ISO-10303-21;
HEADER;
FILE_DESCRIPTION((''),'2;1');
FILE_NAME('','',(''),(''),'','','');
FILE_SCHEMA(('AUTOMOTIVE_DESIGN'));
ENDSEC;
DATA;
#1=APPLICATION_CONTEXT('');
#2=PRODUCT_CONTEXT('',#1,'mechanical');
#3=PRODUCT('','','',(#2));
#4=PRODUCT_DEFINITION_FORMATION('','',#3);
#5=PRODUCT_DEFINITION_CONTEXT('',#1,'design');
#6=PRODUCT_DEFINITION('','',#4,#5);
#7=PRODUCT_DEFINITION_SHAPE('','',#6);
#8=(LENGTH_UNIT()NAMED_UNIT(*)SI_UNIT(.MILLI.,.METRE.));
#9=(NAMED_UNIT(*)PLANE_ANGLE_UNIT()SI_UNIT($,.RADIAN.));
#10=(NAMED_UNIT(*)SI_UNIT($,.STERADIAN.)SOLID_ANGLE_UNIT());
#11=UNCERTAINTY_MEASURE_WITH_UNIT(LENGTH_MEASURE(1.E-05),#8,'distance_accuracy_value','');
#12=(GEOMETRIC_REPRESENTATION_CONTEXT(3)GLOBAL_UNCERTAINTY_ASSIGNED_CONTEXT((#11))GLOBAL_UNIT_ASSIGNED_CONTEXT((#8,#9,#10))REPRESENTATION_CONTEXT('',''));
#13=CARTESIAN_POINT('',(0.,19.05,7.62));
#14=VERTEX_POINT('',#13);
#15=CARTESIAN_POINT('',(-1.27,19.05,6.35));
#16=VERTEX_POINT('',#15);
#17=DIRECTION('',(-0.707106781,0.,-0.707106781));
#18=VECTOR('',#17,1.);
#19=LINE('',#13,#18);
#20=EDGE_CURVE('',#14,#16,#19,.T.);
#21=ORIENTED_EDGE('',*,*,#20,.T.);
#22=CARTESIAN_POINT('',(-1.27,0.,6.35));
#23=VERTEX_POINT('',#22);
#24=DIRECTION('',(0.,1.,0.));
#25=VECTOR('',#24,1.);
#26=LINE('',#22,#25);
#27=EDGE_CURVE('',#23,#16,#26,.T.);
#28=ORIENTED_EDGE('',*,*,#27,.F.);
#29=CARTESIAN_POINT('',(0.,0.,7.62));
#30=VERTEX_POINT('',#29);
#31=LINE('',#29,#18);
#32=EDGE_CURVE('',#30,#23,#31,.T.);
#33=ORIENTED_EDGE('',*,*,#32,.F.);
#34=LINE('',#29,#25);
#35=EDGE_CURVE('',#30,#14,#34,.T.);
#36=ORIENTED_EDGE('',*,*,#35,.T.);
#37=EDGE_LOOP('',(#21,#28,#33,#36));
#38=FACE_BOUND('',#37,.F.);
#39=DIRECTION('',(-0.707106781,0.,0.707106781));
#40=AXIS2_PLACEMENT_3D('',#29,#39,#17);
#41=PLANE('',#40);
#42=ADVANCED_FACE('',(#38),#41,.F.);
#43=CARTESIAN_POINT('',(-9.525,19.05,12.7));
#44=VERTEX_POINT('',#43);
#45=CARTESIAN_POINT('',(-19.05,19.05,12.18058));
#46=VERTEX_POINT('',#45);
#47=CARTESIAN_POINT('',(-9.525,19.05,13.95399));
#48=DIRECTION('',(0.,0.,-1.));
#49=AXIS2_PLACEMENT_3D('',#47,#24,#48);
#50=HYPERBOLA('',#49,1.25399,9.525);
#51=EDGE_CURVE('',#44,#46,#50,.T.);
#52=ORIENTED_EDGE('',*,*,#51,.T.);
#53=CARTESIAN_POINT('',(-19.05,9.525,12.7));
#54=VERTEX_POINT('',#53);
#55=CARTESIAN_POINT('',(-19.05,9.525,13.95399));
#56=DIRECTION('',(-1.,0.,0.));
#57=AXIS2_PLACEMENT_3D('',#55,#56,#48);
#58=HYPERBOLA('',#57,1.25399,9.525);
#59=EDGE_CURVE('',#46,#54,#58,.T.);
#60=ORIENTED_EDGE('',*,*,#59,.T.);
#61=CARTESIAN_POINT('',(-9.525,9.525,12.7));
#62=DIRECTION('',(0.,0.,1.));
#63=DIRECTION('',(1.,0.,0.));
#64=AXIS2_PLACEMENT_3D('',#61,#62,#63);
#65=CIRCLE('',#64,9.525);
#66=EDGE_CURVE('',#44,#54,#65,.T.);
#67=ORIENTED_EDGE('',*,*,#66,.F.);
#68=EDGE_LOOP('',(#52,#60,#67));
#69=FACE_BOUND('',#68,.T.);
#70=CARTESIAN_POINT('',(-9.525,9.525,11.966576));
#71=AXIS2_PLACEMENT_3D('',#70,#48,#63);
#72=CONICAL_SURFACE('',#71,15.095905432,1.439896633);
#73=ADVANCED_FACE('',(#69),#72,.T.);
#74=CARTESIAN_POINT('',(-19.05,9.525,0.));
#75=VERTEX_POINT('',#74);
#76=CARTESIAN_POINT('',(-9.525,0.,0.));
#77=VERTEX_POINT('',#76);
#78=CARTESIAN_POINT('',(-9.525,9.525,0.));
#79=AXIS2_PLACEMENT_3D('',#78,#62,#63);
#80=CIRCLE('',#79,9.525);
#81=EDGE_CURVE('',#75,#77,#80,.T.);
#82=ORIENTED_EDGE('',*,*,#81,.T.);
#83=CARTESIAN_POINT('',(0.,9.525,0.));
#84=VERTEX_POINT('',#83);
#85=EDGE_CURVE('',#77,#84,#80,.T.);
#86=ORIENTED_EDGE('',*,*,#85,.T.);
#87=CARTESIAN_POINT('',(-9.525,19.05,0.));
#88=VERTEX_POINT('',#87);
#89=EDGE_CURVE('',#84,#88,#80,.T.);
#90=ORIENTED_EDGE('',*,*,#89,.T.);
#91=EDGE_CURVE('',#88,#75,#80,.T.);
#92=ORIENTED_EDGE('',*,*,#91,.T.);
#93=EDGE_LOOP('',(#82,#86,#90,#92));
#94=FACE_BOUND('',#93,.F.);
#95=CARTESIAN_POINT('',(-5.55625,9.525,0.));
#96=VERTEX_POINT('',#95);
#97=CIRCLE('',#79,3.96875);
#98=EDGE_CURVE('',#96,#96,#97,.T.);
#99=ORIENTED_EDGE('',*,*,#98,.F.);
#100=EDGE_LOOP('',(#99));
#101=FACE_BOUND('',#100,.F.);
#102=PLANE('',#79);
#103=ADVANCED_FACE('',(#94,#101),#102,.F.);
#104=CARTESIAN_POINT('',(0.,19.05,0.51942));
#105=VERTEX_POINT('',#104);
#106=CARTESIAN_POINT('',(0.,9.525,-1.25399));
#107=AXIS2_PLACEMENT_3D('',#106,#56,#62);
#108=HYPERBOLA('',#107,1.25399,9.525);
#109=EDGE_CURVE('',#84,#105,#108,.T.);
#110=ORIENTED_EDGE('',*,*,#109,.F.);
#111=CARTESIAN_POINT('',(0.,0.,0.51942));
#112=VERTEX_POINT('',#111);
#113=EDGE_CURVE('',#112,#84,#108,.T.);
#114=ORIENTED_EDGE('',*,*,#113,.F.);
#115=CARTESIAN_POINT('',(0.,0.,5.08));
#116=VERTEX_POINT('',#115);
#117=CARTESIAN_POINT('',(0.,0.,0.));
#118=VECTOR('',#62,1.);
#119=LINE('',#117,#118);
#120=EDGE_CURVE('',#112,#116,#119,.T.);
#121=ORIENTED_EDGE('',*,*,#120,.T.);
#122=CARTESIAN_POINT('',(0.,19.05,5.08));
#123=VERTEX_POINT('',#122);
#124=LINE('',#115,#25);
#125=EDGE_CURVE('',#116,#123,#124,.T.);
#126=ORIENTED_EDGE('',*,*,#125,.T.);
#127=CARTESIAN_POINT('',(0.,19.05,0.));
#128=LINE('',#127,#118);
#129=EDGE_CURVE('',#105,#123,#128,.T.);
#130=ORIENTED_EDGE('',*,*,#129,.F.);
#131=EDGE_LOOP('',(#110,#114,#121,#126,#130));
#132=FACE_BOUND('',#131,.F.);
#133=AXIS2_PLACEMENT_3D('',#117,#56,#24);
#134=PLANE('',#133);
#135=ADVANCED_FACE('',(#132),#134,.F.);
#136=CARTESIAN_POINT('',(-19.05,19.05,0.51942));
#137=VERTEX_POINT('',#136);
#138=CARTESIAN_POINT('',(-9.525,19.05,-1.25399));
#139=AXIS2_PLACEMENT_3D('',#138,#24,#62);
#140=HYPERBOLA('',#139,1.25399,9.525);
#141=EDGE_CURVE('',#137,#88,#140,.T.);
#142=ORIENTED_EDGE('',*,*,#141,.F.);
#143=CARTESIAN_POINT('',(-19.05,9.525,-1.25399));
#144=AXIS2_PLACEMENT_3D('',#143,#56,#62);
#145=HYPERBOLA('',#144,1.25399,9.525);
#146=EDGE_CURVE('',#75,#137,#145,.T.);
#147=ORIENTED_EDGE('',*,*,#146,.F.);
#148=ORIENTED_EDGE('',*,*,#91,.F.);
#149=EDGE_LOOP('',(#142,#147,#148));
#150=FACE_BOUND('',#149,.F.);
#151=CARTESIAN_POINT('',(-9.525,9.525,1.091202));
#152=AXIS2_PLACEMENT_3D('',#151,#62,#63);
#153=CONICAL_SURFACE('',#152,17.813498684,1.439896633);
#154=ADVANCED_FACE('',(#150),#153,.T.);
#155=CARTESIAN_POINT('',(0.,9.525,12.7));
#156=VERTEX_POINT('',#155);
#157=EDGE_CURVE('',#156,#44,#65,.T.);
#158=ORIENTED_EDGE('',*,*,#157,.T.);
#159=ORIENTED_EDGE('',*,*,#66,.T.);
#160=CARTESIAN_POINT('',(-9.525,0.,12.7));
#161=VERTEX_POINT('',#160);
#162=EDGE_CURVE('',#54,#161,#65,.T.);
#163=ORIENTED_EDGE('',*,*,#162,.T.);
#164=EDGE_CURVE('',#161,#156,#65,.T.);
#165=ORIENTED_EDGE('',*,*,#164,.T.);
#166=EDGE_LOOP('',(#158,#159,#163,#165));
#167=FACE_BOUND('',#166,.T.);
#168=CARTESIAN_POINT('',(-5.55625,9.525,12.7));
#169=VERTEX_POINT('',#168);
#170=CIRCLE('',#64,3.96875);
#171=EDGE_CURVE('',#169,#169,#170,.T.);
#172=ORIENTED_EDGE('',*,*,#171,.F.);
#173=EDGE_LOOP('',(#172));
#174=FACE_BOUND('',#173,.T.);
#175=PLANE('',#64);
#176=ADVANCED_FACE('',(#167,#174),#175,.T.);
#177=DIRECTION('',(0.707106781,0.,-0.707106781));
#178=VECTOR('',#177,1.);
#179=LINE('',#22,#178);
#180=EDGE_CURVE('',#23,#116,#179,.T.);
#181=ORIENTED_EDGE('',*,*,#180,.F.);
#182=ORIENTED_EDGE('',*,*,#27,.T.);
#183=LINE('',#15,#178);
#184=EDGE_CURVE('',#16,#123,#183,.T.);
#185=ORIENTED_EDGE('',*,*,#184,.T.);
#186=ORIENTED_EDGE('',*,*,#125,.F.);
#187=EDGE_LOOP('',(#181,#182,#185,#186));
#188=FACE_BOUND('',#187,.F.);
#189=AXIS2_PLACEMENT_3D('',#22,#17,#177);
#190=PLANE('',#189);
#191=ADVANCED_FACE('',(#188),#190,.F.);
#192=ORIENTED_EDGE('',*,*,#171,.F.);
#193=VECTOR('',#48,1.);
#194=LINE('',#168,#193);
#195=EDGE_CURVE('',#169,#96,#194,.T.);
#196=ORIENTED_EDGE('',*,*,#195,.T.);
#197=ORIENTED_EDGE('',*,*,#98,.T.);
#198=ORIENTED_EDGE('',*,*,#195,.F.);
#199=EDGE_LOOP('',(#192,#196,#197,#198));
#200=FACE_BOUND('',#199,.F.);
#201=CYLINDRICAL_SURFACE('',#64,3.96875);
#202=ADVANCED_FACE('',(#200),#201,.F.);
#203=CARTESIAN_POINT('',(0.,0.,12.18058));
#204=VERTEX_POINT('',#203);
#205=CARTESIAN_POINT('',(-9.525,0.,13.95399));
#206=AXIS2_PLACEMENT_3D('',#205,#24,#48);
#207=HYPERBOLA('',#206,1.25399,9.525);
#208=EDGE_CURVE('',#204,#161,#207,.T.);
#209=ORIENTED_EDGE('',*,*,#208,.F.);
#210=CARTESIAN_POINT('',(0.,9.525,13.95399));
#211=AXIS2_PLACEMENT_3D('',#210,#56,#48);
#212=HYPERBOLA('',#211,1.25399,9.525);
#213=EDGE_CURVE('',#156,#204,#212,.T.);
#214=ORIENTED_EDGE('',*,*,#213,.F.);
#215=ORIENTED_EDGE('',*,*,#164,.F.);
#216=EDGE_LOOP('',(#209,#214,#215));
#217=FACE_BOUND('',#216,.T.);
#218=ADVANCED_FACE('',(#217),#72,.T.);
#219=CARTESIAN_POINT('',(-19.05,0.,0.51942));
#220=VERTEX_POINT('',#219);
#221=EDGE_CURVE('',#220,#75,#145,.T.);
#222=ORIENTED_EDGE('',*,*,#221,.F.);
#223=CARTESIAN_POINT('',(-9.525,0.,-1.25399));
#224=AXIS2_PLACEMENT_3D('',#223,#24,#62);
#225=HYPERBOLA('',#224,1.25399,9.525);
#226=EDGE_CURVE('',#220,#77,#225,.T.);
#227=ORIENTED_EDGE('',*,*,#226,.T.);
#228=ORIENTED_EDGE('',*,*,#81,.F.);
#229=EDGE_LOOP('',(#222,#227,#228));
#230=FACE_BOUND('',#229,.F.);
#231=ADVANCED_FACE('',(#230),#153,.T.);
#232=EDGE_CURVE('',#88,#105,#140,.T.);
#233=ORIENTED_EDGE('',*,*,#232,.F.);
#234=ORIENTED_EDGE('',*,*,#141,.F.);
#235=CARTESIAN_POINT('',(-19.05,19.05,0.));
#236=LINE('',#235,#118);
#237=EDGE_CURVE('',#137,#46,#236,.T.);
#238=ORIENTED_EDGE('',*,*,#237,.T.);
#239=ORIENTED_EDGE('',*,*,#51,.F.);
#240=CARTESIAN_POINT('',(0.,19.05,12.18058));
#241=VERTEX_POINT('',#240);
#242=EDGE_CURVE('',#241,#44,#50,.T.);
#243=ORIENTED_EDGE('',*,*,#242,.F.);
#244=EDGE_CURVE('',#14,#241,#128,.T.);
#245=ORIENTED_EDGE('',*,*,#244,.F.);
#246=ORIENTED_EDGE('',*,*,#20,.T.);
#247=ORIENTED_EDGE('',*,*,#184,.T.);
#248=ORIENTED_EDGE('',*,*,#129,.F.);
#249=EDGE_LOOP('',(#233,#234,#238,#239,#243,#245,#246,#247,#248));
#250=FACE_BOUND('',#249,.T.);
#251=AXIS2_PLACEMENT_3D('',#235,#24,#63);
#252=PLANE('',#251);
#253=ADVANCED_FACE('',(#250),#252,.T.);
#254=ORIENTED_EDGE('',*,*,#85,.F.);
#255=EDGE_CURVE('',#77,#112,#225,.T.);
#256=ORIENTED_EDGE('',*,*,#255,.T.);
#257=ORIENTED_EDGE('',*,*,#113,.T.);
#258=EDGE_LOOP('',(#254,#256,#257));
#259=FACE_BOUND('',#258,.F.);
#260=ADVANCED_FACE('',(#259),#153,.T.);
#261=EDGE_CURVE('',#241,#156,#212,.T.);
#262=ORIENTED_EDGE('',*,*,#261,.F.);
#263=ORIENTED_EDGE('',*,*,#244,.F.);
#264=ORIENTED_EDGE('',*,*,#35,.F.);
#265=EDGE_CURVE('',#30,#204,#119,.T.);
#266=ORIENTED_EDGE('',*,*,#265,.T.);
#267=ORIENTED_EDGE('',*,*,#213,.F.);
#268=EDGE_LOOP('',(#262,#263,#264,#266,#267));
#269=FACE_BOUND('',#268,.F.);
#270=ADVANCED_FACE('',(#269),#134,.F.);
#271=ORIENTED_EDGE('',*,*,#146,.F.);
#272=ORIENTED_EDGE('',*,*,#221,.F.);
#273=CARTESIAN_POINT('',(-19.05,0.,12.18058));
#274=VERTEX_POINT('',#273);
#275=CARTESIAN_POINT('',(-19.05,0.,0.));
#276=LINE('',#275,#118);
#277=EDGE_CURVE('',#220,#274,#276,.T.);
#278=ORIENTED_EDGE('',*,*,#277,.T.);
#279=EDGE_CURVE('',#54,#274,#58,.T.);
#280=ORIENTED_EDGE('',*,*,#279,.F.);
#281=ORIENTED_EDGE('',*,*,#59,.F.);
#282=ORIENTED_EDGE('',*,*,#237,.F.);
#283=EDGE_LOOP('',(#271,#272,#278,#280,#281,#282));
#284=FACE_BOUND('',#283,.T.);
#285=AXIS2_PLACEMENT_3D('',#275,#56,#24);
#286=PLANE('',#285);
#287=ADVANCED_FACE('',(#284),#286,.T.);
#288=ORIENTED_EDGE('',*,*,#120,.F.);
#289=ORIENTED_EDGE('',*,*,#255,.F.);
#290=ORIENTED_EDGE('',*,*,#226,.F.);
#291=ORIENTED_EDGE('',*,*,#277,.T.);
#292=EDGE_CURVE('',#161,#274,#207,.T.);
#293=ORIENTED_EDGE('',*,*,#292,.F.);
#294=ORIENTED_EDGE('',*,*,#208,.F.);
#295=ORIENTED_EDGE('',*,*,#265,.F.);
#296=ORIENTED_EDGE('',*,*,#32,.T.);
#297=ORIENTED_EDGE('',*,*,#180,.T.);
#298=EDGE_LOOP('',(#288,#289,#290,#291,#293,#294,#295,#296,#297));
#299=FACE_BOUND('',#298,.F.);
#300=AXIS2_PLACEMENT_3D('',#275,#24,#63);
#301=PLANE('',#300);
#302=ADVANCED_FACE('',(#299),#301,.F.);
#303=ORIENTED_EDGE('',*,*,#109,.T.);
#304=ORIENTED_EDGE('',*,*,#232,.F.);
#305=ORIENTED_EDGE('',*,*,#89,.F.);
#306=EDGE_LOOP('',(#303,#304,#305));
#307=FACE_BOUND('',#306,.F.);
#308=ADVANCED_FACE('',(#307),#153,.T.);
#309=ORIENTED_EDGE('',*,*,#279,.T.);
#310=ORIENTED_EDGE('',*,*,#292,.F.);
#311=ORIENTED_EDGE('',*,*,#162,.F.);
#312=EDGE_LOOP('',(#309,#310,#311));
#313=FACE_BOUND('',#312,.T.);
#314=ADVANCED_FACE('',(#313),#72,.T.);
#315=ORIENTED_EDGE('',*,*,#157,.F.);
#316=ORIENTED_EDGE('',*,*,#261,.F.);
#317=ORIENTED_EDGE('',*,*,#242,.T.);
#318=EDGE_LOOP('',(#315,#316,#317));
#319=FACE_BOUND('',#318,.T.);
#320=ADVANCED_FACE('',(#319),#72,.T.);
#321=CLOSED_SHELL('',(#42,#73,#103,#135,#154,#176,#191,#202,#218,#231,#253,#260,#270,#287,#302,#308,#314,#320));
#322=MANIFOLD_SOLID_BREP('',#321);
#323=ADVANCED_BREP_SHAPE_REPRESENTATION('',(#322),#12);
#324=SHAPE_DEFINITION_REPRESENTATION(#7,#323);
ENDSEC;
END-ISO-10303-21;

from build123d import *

# Parameters (mm, degrees)
F0_W      = 19.05
F0_H      = 19.05
F1_DEPTH  = 12.7
F2_R      = 3.96875
F3_DEPTH  = 12.701
F12_DEPTH = 19.05


with BuildPart() as f1:
    # F0 (on Top) → F1 (new body)
    with BuildSketch(Plane.XY):
        with Locations((-9.525, 9.525)):
            Rectangle(F0_W, F0_H)
    extrude(amount=F1_DEPTH)

    # F2 (on face) → F3 (cut, through all)
    with BuildSketch(Plane.XY.offset(12.7)):
        with Locations((-9.525, 9.525)):
            Circle(F2_R)
    extrude(amount=-F3_DEPTH, mode=Mode.SUBTRACT)

    # F7: sweep along a path in F4
    with BuildLine(Plane.XY.offset(12.7)) as f7_path:
        CenterArc((-9.525, 9.525), 9.525, 0, 360)
    # F6 (on mid) → F7 (sweep, cut)
    with BuildSketch(Plane.XZ.offset(-9.525)):
        Polygon((-24.6209054321, 11.966576386), (-19.05, 12.7), (-24.6209054321, 13.433423614), align=None)
    sweep(path=f7_path.line, mode=Mode.SUBTRACT)

    # F9 (on mid) → F10 (revolve, cut)
    with BuildSketch(Plane.XZ.offset(-9.525)):
        Polygon((8.2884986839, 0), (0, 0), (8.2884986839, -1.091201553), align=None)
        Polygon((8.2884986839, 1.091201553), (0, 0), (8.2884986839, 0), align=None)
    revolve(axis=Axis((-9.525, 9.525, 12.7), (0, 0, 1)), mode=Mode.SUBTRACT)

    # F11 (on face) → F12 (cut)
    with BuildSketch(Plane.XZ):
        Polygon((0, 7.62), (-1.27, 6.35), (0, 5.08), align=None)
    extrude(amount=-F12_DEPTH, mode=Mode.SUBTRACT)


solid = f1.part
